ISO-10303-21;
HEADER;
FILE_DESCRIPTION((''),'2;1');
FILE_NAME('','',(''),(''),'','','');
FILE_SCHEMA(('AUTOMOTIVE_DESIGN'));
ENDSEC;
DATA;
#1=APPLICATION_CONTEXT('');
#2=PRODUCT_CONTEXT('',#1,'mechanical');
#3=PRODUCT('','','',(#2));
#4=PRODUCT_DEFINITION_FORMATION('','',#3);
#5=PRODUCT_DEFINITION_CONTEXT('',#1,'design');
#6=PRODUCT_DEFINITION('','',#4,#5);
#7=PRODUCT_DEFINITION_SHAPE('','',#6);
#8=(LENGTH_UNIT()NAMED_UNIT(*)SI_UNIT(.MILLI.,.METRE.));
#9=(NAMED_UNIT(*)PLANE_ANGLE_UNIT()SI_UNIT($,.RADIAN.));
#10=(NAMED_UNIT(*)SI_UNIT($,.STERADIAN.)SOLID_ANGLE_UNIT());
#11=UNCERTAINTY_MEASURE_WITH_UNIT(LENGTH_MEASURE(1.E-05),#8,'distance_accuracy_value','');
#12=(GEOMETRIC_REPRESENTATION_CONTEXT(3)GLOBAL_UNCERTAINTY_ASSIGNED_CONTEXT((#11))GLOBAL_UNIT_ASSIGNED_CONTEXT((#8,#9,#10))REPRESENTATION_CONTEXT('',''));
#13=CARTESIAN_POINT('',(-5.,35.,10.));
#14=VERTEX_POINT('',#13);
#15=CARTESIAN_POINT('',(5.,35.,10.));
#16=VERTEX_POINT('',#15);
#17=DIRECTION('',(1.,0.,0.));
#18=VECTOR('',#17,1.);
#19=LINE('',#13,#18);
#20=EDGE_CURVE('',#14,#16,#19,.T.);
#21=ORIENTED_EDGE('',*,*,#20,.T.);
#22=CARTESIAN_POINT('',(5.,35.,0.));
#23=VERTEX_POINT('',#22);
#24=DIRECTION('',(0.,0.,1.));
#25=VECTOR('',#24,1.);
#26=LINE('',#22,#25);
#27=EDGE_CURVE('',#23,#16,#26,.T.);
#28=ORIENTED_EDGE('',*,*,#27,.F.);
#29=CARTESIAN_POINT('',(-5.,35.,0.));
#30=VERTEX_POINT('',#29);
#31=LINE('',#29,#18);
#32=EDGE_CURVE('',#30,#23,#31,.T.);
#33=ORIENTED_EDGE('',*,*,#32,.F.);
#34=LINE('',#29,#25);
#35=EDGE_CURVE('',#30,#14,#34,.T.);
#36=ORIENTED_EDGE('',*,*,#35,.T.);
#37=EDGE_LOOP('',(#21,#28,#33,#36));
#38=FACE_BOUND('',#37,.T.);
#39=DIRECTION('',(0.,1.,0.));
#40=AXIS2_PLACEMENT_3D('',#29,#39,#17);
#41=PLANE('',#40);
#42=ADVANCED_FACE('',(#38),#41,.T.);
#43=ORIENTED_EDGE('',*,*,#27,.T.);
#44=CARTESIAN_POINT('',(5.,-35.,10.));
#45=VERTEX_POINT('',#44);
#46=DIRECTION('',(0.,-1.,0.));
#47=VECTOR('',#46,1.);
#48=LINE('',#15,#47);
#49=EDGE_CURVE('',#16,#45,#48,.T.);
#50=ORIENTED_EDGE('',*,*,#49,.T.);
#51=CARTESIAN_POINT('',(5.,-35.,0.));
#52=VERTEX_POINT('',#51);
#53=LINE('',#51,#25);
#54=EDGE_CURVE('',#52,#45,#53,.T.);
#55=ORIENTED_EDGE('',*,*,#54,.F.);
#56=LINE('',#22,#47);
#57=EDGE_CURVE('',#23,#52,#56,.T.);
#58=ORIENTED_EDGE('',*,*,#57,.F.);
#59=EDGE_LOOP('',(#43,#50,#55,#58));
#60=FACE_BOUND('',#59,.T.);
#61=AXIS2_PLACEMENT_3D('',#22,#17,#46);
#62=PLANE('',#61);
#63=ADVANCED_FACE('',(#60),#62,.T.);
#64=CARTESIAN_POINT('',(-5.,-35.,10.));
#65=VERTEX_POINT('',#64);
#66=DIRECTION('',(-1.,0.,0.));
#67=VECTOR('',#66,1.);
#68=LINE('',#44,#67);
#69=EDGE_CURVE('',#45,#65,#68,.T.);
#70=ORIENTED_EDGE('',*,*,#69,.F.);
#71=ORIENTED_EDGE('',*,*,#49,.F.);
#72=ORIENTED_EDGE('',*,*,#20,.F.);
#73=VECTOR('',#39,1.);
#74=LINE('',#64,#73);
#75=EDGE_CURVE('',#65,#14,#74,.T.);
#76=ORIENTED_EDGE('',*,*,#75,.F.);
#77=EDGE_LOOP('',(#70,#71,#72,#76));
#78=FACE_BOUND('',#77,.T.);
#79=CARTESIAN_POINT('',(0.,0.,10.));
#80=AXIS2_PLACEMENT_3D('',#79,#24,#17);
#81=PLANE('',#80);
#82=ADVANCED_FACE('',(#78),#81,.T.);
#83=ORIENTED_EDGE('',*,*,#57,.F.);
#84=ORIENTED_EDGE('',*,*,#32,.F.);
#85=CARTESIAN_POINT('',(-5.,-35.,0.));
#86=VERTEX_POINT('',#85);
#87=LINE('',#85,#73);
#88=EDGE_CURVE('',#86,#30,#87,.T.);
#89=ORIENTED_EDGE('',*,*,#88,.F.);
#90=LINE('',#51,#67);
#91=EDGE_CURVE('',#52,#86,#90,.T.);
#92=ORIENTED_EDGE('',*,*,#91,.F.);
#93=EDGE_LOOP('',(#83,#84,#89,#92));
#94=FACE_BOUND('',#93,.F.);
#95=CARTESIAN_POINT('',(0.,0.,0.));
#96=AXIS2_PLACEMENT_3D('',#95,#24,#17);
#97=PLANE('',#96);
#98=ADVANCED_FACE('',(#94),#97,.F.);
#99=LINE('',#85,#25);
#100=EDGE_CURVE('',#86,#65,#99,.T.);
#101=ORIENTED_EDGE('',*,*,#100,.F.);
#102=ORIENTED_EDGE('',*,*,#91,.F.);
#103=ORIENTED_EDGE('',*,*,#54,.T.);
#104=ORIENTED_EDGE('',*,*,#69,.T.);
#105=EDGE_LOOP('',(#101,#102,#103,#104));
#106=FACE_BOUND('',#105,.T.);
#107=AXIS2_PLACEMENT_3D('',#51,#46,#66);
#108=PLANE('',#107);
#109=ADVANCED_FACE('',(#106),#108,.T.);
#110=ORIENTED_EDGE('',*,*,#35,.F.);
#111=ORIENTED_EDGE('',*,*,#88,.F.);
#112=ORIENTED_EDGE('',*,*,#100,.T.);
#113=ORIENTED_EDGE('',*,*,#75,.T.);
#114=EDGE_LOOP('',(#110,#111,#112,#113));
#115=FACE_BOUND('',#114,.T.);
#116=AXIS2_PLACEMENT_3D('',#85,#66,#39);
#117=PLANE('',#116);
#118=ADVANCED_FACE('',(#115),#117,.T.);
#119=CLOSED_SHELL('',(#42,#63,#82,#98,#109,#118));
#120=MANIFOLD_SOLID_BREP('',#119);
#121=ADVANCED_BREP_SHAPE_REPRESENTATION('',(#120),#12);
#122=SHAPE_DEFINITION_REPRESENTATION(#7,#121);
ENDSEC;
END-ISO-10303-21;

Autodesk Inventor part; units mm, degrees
ref_plane "YZ Plane" through (0, 0, 0) normal (1, 0, 0) x (0, 1, 0)
ref_plane "XZ Plane" through (0, 0, 0) normal (0, 1, 0) x (-1, 0, 0)
ref_plane "XY Plane" through (0, 0, 0) normal (0, 0, 1) x (1, 0, 0)
sketch "스케치1" plane through (0, 0, 0) normal (0, 0, 1) x (1, 0, 0)
  line L0 (5, -35) -> (-5, -35)
  line L1 (-5, -35) -> (-5, 35)
  line L2 (-5, 35) -> (5, 35)
  line L3 (5, 35) -> (5, -35)
  line L4 (5, -35) -> (-5, 35) construction
  line L5 (-5, -35) -> (5, 35) construction
  point P0 (0, 0)
  dimension "d0" = 70
  dimension "d1" = 10
extrude "돌출1" add sketch "스케치1" along normal blind 10
properties part number "240626_chair3"
